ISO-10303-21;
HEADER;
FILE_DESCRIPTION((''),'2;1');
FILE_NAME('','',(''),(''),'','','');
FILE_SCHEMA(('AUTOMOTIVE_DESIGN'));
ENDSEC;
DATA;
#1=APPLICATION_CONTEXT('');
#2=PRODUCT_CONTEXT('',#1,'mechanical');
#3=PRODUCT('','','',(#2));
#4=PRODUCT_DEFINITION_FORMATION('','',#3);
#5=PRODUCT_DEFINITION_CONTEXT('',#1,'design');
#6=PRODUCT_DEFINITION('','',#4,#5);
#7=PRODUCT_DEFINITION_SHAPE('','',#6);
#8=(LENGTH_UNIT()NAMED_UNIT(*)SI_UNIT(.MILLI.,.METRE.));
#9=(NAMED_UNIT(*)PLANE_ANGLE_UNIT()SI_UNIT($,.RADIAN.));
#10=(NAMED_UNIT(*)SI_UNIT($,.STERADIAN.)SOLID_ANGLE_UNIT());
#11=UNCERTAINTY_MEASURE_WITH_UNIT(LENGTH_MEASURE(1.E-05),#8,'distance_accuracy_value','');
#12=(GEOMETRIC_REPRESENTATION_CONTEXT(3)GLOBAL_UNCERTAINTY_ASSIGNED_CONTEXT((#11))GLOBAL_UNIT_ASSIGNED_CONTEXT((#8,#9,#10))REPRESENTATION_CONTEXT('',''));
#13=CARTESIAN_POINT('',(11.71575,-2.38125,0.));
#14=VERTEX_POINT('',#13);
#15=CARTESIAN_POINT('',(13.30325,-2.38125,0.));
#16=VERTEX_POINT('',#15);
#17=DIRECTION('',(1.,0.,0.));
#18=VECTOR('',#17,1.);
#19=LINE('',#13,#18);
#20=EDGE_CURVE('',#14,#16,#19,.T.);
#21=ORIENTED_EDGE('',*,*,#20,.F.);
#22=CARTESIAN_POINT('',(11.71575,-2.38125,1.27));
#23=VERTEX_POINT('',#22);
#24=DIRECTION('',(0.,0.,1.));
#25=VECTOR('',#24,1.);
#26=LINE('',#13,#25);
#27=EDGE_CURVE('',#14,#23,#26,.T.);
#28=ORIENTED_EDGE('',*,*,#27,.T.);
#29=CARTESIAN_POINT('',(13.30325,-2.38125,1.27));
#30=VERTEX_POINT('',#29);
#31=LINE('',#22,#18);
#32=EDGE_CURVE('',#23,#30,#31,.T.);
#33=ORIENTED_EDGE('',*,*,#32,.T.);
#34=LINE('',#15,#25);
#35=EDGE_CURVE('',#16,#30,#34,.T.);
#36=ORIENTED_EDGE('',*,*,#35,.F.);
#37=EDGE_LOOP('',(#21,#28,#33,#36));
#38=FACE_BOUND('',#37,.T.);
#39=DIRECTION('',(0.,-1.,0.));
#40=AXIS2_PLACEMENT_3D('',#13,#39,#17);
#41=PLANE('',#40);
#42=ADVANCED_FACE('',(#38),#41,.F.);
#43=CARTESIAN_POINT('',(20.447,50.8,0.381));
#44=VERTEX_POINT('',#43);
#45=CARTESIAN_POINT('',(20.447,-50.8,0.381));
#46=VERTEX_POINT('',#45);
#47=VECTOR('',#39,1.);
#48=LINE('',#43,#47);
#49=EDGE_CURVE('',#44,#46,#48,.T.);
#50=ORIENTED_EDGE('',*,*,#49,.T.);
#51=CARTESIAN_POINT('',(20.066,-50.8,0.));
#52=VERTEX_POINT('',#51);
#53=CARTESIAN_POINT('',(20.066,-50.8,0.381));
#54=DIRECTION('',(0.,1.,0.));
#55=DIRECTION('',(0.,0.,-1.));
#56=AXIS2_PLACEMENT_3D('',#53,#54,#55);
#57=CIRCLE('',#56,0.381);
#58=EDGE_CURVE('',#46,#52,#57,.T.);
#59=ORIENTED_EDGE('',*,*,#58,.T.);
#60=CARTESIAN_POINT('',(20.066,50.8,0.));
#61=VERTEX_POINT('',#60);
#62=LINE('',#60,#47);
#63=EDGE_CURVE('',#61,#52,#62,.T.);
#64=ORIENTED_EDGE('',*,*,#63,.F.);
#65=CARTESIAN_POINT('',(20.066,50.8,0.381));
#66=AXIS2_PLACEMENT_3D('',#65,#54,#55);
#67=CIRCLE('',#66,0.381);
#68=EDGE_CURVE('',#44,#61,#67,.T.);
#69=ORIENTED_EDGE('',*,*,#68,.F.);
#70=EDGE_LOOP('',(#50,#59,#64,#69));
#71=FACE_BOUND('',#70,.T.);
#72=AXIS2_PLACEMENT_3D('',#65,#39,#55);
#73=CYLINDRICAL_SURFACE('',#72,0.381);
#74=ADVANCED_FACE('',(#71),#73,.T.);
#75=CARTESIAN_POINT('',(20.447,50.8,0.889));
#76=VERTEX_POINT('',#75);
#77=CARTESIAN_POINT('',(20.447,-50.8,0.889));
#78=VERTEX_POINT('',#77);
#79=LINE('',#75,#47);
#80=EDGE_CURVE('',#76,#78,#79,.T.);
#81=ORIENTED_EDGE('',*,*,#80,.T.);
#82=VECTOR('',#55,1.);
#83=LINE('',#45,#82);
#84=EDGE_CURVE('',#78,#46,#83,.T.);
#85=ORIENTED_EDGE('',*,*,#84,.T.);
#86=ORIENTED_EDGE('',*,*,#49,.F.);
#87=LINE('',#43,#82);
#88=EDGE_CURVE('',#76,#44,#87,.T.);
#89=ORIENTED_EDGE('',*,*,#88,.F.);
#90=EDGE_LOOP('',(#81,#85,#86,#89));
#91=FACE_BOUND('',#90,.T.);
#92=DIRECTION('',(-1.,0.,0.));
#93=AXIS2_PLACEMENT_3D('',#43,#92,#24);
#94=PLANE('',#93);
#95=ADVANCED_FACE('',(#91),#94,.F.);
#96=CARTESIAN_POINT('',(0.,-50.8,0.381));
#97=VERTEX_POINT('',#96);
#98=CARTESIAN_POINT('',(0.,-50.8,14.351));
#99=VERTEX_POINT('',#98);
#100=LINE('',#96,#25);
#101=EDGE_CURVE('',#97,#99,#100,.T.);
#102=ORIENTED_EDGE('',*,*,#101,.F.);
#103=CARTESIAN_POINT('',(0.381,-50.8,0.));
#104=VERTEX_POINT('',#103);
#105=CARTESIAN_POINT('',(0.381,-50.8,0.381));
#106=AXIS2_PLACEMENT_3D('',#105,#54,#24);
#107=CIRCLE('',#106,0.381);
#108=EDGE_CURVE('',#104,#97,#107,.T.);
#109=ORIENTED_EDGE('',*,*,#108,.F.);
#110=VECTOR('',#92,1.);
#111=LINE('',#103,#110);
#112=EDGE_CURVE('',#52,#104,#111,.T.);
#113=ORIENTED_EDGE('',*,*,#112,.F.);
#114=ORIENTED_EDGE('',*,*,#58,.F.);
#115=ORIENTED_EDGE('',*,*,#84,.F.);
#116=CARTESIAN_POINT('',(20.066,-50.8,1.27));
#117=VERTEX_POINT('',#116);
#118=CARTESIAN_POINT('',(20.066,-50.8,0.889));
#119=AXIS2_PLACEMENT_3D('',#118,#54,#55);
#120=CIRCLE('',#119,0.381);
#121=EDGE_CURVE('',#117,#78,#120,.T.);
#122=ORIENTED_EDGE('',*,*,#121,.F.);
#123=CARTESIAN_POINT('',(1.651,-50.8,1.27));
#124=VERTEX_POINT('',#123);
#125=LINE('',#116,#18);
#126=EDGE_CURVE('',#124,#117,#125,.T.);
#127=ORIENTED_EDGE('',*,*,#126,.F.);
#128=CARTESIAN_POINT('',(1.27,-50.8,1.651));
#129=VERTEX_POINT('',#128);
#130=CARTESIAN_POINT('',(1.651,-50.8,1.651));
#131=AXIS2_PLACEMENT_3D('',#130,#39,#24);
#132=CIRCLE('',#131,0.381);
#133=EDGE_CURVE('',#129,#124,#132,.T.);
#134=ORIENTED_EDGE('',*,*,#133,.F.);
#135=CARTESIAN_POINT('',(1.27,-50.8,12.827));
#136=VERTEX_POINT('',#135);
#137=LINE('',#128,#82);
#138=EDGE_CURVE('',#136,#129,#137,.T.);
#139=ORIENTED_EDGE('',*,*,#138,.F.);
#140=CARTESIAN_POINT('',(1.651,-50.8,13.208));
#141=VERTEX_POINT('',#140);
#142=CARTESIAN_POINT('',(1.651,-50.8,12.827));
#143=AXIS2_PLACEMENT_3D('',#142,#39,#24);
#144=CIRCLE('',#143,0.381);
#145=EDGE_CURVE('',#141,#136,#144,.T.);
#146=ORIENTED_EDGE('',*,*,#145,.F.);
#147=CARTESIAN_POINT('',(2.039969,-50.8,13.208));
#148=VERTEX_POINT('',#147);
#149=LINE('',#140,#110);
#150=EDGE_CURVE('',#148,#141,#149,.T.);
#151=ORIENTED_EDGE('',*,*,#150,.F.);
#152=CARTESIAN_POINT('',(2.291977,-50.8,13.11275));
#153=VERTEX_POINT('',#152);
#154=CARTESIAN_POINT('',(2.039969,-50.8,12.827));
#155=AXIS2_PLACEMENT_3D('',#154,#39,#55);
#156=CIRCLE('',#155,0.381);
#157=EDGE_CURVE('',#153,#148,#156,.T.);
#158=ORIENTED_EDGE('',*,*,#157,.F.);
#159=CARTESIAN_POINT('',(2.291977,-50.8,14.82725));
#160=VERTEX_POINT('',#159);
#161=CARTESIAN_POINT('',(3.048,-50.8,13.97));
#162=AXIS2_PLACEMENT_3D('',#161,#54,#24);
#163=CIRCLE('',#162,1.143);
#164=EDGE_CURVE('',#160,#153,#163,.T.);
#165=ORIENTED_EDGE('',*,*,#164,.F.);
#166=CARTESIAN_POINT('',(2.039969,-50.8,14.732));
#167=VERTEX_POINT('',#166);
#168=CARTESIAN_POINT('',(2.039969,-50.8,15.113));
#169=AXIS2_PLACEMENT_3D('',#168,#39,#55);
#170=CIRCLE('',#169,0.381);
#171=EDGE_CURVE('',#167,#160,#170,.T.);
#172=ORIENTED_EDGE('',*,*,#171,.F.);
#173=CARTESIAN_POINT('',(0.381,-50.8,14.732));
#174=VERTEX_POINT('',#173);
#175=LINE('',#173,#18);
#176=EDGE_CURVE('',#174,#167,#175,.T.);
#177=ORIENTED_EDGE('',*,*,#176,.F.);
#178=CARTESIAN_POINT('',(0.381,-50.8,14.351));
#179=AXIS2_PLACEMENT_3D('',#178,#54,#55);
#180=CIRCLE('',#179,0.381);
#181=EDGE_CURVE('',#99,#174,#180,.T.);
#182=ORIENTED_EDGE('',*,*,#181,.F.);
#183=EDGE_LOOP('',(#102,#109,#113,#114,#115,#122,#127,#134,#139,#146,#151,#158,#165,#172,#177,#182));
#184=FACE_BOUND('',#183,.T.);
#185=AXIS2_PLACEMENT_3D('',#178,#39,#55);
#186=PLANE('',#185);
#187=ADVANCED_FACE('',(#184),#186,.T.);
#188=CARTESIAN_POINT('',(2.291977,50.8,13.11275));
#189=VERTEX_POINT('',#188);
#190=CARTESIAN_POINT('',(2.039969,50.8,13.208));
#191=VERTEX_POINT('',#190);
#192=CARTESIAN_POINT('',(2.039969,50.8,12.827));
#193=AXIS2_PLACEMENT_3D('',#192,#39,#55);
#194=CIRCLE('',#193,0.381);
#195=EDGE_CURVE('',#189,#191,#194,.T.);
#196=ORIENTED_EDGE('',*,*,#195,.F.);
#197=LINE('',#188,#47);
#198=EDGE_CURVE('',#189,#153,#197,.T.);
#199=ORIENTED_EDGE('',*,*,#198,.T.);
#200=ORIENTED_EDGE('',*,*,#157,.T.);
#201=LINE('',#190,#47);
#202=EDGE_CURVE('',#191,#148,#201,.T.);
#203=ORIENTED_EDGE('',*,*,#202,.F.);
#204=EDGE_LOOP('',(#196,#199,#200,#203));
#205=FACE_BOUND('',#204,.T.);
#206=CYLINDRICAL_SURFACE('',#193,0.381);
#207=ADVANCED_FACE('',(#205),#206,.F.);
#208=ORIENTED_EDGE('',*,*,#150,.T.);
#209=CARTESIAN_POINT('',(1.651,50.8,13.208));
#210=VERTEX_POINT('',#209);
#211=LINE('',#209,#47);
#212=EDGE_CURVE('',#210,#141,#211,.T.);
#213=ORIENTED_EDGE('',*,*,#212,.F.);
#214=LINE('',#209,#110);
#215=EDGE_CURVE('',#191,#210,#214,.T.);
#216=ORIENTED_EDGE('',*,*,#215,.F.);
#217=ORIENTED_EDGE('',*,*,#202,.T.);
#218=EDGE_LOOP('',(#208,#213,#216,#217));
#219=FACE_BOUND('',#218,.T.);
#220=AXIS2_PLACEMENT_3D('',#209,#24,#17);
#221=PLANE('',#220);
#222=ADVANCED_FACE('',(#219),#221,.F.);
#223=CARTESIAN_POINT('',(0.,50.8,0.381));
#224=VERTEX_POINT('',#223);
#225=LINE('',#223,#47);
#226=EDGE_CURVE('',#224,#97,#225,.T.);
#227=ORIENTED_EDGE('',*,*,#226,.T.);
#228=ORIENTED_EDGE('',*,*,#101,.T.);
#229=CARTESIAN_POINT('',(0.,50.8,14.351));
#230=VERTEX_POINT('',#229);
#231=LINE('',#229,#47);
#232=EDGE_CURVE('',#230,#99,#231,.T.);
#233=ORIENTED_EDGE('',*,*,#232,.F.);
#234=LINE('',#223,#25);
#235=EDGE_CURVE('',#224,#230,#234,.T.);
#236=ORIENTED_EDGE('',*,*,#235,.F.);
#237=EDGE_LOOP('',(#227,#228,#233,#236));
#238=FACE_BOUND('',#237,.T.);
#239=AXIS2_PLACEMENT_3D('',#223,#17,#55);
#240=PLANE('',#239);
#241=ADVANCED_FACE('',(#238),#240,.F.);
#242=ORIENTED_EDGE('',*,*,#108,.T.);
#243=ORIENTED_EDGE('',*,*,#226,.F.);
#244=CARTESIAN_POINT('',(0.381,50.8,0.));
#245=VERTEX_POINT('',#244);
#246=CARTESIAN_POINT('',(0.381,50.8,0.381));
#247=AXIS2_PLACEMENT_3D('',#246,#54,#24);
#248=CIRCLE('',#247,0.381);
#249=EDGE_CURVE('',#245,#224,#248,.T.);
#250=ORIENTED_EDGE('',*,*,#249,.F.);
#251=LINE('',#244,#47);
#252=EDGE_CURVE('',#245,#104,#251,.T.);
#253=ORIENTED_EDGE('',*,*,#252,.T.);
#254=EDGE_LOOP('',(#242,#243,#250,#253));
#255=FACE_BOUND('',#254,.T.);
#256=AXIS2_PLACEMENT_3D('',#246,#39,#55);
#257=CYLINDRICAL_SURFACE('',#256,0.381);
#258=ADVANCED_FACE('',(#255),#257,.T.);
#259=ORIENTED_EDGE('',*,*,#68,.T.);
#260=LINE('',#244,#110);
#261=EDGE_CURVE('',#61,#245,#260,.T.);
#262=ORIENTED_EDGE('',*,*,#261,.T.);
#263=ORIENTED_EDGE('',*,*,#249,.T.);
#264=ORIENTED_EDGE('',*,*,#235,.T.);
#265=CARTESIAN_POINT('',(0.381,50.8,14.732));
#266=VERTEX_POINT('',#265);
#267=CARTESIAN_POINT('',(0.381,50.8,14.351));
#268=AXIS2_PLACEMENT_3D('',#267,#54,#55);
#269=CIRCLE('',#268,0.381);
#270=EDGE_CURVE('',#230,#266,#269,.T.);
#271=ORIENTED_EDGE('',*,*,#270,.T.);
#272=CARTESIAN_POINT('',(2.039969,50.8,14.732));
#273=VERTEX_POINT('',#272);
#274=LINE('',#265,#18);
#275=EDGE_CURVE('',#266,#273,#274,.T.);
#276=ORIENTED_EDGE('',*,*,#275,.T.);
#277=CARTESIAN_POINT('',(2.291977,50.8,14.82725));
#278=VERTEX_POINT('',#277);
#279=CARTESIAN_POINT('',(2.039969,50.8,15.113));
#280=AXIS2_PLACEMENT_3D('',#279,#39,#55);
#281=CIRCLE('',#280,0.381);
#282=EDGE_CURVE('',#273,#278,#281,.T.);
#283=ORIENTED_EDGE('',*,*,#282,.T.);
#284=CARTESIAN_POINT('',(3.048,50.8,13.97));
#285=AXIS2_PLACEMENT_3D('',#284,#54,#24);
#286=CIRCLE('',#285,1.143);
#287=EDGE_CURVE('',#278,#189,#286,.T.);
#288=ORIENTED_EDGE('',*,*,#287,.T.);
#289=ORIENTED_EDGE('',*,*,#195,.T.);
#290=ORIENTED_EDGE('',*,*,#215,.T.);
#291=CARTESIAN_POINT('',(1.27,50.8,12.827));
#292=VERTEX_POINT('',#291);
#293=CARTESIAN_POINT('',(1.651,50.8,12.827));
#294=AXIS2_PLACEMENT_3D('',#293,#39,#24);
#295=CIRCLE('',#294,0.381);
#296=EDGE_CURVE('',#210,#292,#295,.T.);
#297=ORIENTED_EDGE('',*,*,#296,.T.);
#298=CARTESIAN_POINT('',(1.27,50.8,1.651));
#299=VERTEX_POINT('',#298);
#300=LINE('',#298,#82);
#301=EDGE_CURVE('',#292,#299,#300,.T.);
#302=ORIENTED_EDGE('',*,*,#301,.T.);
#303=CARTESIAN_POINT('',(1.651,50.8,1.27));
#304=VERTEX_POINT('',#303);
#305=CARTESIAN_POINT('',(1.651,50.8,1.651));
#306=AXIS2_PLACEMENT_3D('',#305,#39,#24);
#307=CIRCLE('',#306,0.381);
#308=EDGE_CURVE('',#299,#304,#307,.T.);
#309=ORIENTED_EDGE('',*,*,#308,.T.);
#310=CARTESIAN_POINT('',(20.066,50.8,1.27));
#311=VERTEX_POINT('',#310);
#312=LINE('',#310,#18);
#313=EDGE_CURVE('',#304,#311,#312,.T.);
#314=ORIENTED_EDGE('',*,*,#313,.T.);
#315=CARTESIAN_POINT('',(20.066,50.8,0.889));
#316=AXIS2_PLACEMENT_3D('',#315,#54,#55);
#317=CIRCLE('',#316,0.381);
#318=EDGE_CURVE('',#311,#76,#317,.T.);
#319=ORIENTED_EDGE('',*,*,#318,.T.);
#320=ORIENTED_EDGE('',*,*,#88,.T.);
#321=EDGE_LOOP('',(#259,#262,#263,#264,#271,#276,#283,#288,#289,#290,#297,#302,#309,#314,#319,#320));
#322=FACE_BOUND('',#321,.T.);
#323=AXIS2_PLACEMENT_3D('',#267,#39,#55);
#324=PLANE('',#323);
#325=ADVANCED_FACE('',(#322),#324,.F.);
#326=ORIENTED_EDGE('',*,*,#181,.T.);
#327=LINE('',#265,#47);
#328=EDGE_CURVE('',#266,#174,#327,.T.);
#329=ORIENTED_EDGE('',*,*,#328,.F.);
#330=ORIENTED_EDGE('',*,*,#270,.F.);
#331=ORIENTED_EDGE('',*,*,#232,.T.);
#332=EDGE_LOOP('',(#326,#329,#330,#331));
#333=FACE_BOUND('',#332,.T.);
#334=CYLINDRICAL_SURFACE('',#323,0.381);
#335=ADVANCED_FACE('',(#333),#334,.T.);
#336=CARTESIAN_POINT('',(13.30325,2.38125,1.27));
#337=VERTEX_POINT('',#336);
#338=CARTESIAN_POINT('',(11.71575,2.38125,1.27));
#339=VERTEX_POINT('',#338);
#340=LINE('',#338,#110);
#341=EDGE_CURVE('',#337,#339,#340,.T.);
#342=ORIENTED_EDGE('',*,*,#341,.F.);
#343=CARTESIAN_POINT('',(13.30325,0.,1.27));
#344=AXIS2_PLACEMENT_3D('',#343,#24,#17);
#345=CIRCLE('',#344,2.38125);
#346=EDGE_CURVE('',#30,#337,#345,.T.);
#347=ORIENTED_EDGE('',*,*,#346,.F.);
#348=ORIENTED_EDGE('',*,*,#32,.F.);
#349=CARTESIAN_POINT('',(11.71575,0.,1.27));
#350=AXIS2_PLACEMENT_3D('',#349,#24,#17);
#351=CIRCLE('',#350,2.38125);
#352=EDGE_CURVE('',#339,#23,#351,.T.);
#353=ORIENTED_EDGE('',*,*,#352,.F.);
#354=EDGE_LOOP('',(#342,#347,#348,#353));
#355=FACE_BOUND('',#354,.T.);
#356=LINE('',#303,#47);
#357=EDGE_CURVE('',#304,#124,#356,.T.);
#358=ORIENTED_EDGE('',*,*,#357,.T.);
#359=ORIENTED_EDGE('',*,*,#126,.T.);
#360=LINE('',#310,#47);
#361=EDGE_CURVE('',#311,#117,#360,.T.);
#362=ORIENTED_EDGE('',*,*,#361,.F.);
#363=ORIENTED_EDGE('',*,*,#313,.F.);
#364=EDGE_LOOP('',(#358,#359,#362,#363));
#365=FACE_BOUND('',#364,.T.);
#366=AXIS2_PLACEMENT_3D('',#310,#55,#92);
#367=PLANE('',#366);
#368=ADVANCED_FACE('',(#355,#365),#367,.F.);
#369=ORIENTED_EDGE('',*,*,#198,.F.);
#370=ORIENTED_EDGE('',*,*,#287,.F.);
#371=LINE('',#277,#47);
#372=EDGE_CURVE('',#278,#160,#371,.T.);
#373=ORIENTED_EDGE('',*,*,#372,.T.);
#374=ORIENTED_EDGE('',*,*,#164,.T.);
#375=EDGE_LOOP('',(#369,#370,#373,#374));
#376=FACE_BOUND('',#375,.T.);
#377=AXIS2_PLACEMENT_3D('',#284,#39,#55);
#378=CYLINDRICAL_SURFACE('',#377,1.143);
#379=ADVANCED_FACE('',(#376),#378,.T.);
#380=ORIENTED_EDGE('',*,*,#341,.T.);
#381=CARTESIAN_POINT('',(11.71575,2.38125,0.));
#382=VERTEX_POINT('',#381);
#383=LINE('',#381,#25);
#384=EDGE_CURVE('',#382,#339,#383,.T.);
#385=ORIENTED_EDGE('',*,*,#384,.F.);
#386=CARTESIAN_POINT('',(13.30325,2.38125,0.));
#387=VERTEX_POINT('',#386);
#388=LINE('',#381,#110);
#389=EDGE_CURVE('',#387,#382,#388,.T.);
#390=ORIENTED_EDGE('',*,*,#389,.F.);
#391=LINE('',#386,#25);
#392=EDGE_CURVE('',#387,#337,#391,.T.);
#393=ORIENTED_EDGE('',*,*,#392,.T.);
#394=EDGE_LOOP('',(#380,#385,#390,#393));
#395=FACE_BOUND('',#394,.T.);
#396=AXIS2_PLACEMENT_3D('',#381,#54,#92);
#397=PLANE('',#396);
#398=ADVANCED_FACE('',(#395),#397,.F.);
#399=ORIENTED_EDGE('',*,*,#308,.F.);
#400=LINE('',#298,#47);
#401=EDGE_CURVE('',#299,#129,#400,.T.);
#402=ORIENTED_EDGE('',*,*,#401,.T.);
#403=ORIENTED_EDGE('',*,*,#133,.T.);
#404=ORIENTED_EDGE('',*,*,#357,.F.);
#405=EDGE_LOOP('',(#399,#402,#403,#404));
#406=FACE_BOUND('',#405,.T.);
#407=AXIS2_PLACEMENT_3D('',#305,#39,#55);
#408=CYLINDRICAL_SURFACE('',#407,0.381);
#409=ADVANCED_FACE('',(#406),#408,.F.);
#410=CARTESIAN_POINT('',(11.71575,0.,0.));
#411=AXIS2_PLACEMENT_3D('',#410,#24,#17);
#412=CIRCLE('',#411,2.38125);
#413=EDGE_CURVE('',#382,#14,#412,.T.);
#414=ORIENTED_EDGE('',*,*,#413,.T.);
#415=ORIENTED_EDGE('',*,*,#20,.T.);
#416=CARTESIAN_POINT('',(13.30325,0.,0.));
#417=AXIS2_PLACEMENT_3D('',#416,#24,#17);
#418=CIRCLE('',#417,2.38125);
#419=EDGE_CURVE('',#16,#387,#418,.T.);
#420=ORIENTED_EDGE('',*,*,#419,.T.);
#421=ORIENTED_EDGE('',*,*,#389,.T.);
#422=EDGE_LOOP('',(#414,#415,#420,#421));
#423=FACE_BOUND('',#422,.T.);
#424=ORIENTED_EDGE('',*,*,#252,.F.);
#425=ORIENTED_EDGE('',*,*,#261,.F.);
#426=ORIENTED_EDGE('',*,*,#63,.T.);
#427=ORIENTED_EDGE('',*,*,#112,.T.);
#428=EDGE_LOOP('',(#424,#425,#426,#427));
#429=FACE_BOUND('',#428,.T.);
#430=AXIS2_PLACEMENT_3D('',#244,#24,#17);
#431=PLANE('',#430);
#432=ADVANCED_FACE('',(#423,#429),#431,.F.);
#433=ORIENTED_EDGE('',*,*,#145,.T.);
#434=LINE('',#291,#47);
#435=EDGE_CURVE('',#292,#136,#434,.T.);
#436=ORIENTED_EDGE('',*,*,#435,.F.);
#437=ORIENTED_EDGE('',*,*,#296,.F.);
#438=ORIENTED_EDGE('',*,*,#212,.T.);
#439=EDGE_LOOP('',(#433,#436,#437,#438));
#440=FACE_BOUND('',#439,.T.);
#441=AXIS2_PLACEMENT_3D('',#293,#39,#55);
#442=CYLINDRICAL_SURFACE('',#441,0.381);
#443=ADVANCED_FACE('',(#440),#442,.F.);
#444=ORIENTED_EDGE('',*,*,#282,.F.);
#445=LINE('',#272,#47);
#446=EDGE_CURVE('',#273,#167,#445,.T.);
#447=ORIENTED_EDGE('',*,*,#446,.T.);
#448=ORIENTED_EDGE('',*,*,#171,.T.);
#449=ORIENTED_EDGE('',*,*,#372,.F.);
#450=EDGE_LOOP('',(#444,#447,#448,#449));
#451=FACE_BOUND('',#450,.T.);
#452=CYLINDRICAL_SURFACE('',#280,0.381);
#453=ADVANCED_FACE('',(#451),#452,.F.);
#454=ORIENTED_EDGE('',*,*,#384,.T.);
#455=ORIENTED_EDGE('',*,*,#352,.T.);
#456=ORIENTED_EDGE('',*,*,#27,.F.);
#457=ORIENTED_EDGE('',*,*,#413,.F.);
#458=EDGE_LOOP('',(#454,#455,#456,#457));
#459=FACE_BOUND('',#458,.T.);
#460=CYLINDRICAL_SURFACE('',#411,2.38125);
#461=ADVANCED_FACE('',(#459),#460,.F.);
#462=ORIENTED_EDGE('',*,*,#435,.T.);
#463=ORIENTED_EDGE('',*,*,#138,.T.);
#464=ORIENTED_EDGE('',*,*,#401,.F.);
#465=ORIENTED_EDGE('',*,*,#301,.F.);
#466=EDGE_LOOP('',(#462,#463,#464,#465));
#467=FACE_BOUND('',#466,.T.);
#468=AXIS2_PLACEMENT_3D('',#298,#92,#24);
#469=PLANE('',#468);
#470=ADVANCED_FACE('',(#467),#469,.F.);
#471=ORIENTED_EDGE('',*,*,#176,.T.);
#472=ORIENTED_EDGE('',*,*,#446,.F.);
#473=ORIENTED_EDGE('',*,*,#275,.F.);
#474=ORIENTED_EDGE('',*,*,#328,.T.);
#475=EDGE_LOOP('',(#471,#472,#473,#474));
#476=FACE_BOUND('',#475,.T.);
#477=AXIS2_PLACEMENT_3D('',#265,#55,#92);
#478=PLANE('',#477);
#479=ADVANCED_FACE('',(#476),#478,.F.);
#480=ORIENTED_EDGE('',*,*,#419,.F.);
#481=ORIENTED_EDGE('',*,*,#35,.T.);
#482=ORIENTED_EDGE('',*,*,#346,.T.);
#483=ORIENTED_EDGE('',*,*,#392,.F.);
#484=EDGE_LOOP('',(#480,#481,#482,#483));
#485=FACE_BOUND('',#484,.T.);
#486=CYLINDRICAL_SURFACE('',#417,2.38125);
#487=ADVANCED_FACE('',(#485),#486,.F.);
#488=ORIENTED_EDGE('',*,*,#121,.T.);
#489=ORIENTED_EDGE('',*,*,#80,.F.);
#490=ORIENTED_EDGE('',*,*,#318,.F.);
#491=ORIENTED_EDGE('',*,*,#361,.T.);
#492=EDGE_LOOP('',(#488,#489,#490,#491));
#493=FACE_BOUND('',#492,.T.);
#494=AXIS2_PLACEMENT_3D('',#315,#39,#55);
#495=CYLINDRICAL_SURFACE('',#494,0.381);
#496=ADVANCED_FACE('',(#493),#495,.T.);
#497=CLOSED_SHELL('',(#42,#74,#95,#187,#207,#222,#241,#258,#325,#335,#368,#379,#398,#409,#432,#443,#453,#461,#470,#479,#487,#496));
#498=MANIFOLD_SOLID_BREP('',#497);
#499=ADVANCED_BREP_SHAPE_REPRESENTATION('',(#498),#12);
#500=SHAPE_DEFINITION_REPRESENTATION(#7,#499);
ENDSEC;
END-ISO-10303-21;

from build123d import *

# Parameters (mm, degrees)
BOSS_EXTRUDE1_DEPTH = 50.8
CUT_EXTRUDE1_DEPTH  = 2.27


with BuildPart() as part:
    # Sketch2 → Boss-Extrude1 (new body, symmetric)
    with BuildSketch(Plane(origin=(0, 0, 0), x_dir=(1, 0, 0), z_dir=(0, 1, 0))):
        with BuildLine():
            Line((0.381, 0), (20.066, 0))
            ThreePointArc((20.066, 0), (20.335407684, -0.111592316), (20.447, -0.381))
            Line((20.447, -0.381), (20.447, -0.889))
            ThreePointArc((20.447, -0.889), (20.335407684, -1.158407684), (20.066, -1.27))
            Line((20.066, -1.27), (1.651, -1.27))
            ThreePointArc((1.651, -1.27), (1.381592316, -1.381592316), (1.27, -1.651))
            Line((1.27, -1.651), (1.27, -12.827))
            ThreePointArc((1.27, -12.827), (1.381592316, -13.096407684), (1.651, -13.208))
            Line((1.651, -13.208), (2.03996875, -13.208))
            ThreePointArc((2.03996875, -13.208), (2.174672592, -13.183392866), (2.291976563, -13.11275))
            ThreePointArc((2.291976563, -13.11275), (4.191, -13.97), (2.291976563, -14.82725))
            ThreePointArc((2.291976563, -14.82725), (2.174672592, -14.756607134), (2.03996875, -14.732))
            Line((2.03996875, -14.732), (0.381, -14.732))
            ThreePointArc((0.381, -14.732), (0.111592316, -14.620407684), (0, -14.351))
            Line((0, -14.351), (0, -0.381))
            ThreePointArc((0, -0.381), (0.111592316, -0.111592316), (0.381, 0))
        make_face()
    extrude(amount=BOSS_EXTRUDE1_DEPTH, both=True)

    # Sketch7 → Cut-Extrude1 (cut, through all)
    with BuildSketch(Plane.XY.offset(1.27)):
        with BuildLine():
            Line((11.71575, 2.38125), (13.30325, 2.38125))
            ThreePointArc((13.30325, 2.38125), (15.6845, 0), (13.30325, -2.38125))
            Line((13.30325, -2.38125), (11.71575, -2.38125))
            ThreePointArc((11.71575, -2.38125), (9.3345, 0), (11.71575, 2.38125))
        make_face()
    extrude(amount=-CUT_EXTRUDE1_DEPTH, mode=Mode.SUBTRACT)


solid = part.part
